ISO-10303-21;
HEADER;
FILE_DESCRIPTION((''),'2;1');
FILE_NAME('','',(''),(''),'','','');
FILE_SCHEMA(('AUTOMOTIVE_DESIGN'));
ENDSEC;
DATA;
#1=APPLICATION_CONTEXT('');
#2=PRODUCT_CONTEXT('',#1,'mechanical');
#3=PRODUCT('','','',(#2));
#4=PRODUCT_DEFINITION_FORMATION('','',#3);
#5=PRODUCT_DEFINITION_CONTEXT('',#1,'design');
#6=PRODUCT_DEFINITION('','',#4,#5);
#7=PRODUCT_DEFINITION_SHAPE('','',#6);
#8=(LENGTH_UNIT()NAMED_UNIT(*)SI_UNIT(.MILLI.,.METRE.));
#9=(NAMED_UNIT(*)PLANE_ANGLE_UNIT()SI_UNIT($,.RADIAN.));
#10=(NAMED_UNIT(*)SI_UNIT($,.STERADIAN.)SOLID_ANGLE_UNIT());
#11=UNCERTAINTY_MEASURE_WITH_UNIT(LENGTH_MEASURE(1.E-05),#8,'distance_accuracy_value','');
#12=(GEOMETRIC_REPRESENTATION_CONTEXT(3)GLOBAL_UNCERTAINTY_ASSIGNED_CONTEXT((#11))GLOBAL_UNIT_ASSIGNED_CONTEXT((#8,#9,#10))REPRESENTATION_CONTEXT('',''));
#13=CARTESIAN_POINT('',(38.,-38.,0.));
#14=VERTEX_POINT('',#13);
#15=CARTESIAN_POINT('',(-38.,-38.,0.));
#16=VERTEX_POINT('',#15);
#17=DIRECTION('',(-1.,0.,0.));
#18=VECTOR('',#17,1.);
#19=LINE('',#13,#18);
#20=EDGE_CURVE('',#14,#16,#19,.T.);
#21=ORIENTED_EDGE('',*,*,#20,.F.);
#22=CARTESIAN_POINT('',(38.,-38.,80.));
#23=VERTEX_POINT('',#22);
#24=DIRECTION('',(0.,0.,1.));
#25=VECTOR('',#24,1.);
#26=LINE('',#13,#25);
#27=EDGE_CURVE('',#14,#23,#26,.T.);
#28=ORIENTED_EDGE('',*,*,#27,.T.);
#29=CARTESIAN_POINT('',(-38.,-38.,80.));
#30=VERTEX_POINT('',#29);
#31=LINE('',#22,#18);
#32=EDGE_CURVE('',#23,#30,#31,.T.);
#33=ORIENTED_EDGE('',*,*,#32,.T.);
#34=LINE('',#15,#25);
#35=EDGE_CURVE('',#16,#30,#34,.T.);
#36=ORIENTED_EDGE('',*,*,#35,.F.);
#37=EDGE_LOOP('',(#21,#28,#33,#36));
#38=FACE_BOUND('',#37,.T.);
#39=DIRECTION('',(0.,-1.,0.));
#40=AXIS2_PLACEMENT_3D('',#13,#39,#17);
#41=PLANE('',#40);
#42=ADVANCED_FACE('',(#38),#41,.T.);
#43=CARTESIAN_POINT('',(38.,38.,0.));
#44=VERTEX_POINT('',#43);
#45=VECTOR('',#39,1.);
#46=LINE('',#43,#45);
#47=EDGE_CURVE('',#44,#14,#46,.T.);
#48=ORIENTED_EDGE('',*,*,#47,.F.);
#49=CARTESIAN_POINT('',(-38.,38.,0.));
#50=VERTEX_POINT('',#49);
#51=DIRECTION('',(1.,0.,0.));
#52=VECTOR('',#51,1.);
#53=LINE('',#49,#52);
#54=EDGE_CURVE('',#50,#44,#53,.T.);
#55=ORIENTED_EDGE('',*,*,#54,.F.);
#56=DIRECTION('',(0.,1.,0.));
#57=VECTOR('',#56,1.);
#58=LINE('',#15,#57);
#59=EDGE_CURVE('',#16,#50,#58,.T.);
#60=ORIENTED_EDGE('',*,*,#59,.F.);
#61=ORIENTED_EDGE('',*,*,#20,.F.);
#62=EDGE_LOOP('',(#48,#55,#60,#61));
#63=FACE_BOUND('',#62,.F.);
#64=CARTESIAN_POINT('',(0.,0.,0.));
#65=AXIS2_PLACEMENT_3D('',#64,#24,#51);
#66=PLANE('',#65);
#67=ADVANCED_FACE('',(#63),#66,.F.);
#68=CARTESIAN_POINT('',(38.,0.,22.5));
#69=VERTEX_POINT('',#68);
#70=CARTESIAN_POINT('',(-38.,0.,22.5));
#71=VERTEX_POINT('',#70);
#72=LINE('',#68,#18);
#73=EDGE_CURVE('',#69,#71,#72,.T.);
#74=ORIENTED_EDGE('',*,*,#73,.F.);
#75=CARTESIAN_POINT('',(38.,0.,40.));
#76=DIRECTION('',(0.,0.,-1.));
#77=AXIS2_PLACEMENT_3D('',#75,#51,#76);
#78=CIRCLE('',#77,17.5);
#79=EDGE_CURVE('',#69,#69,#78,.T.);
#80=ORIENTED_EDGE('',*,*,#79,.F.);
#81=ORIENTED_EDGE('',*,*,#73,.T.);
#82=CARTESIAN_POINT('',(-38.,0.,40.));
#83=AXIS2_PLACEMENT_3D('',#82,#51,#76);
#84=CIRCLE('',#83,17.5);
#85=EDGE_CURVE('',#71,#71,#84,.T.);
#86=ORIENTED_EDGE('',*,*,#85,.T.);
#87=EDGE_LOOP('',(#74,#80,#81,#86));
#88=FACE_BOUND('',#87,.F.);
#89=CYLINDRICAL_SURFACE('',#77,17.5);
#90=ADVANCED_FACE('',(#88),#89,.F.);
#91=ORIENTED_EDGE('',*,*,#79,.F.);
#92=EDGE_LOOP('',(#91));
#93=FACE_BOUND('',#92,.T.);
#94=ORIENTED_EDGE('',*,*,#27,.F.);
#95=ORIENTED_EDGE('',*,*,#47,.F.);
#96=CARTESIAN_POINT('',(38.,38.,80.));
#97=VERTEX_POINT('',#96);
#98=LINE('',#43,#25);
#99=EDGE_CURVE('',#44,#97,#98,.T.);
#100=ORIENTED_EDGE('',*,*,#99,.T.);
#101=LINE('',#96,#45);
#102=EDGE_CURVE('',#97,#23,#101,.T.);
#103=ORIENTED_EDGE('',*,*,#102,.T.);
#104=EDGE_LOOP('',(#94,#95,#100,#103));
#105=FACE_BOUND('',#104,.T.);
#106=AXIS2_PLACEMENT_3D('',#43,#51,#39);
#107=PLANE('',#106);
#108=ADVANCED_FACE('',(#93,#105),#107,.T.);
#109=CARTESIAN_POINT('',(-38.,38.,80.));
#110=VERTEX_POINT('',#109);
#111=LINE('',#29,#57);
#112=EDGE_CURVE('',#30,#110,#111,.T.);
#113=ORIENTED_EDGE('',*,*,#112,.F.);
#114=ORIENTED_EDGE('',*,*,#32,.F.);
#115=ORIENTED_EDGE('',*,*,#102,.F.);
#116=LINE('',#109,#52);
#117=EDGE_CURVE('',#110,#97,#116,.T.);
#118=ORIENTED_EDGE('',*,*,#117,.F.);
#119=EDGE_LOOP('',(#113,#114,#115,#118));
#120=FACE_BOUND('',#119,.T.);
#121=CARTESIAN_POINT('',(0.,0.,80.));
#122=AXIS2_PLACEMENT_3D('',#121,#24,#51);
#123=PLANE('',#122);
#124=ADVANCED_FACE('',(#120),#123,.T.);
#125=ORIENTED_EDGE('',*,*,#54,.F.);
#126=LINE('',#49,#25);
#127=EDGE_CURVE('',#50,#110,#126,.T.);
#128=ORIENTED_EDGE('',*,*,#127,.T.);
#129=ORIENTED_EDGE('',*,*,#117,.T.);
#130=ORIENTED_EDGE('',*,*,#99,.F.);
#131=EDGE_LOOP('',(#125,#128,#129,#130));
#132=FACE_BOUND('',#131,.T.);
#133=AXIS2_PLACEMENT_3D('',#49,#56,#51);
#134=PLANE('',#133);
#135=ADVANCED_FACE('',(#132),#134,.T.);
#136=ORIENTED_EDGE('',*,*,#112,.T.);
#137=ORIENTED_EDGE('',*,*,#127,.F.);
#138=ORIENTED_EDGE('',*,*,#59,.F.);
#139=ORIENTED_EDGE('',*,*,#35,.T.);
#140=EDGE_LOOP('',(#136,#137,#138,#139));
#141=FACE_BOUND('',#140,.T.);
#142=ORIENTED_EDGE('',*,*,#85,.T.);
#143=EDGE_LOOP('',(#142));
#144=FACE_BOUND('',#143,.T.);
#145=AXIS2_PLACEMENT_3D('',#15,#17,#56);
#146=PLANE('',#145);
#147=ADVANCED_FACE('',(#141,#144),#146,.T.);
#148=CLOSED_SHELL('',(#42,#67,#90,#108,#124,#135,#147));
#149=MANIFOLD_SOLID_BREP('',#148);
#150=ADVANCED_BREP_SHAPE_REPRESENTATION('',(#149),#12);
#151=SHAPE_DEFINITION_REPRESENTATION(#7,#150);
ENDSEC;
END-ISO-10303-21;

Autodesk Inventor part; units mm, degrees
ref_plane "YZ Plane" through (0, 0, 0) normal (1, 0, 0) x (0, 1, 0)
ref_plane "XZ Plane" through (0, 0, 0) normal (0, 1, 0) x (-1, 0, 0)
ref_plane "XY Plane" through (0, 0, 0) normal (0, 0, 1) x (1, 0, 0)
sketch "Sketch1" plane through (0, 0, 0) normal (0, 0, 1) x (1, 0, 0)
  line L0 (38, 38) -> (38, -38)
  line L1 (38, -38) -> (-38, -38)
  line L2 (-38, -38) -> (-38, 38)
  line L3 (-38, 38) -> (38, 38)
  point P0 (0, 0)
  point P1 (0, 0)
  dimension "d0" = 76
extrude "Extrusion1" add sketch "Sketch1" along normal blind 80
sketch "Sketch2" plane through (38, -38, 0) normal (1, 0, 0) x (0, 0, -1)
  line L0 (0, 76) -> (0, 0) projected
  circle A0 centre (-40, 38) radius 17.5
  line L1 (0, 38) -> (-40, 38) construction
  dimension "d3" = 40
  dimension "d4" = 35
extrude "Extrusion2" cut sketch "Sketch2" against normal through all
properties part number "3136 1094 44" material "Steel, Mild"
